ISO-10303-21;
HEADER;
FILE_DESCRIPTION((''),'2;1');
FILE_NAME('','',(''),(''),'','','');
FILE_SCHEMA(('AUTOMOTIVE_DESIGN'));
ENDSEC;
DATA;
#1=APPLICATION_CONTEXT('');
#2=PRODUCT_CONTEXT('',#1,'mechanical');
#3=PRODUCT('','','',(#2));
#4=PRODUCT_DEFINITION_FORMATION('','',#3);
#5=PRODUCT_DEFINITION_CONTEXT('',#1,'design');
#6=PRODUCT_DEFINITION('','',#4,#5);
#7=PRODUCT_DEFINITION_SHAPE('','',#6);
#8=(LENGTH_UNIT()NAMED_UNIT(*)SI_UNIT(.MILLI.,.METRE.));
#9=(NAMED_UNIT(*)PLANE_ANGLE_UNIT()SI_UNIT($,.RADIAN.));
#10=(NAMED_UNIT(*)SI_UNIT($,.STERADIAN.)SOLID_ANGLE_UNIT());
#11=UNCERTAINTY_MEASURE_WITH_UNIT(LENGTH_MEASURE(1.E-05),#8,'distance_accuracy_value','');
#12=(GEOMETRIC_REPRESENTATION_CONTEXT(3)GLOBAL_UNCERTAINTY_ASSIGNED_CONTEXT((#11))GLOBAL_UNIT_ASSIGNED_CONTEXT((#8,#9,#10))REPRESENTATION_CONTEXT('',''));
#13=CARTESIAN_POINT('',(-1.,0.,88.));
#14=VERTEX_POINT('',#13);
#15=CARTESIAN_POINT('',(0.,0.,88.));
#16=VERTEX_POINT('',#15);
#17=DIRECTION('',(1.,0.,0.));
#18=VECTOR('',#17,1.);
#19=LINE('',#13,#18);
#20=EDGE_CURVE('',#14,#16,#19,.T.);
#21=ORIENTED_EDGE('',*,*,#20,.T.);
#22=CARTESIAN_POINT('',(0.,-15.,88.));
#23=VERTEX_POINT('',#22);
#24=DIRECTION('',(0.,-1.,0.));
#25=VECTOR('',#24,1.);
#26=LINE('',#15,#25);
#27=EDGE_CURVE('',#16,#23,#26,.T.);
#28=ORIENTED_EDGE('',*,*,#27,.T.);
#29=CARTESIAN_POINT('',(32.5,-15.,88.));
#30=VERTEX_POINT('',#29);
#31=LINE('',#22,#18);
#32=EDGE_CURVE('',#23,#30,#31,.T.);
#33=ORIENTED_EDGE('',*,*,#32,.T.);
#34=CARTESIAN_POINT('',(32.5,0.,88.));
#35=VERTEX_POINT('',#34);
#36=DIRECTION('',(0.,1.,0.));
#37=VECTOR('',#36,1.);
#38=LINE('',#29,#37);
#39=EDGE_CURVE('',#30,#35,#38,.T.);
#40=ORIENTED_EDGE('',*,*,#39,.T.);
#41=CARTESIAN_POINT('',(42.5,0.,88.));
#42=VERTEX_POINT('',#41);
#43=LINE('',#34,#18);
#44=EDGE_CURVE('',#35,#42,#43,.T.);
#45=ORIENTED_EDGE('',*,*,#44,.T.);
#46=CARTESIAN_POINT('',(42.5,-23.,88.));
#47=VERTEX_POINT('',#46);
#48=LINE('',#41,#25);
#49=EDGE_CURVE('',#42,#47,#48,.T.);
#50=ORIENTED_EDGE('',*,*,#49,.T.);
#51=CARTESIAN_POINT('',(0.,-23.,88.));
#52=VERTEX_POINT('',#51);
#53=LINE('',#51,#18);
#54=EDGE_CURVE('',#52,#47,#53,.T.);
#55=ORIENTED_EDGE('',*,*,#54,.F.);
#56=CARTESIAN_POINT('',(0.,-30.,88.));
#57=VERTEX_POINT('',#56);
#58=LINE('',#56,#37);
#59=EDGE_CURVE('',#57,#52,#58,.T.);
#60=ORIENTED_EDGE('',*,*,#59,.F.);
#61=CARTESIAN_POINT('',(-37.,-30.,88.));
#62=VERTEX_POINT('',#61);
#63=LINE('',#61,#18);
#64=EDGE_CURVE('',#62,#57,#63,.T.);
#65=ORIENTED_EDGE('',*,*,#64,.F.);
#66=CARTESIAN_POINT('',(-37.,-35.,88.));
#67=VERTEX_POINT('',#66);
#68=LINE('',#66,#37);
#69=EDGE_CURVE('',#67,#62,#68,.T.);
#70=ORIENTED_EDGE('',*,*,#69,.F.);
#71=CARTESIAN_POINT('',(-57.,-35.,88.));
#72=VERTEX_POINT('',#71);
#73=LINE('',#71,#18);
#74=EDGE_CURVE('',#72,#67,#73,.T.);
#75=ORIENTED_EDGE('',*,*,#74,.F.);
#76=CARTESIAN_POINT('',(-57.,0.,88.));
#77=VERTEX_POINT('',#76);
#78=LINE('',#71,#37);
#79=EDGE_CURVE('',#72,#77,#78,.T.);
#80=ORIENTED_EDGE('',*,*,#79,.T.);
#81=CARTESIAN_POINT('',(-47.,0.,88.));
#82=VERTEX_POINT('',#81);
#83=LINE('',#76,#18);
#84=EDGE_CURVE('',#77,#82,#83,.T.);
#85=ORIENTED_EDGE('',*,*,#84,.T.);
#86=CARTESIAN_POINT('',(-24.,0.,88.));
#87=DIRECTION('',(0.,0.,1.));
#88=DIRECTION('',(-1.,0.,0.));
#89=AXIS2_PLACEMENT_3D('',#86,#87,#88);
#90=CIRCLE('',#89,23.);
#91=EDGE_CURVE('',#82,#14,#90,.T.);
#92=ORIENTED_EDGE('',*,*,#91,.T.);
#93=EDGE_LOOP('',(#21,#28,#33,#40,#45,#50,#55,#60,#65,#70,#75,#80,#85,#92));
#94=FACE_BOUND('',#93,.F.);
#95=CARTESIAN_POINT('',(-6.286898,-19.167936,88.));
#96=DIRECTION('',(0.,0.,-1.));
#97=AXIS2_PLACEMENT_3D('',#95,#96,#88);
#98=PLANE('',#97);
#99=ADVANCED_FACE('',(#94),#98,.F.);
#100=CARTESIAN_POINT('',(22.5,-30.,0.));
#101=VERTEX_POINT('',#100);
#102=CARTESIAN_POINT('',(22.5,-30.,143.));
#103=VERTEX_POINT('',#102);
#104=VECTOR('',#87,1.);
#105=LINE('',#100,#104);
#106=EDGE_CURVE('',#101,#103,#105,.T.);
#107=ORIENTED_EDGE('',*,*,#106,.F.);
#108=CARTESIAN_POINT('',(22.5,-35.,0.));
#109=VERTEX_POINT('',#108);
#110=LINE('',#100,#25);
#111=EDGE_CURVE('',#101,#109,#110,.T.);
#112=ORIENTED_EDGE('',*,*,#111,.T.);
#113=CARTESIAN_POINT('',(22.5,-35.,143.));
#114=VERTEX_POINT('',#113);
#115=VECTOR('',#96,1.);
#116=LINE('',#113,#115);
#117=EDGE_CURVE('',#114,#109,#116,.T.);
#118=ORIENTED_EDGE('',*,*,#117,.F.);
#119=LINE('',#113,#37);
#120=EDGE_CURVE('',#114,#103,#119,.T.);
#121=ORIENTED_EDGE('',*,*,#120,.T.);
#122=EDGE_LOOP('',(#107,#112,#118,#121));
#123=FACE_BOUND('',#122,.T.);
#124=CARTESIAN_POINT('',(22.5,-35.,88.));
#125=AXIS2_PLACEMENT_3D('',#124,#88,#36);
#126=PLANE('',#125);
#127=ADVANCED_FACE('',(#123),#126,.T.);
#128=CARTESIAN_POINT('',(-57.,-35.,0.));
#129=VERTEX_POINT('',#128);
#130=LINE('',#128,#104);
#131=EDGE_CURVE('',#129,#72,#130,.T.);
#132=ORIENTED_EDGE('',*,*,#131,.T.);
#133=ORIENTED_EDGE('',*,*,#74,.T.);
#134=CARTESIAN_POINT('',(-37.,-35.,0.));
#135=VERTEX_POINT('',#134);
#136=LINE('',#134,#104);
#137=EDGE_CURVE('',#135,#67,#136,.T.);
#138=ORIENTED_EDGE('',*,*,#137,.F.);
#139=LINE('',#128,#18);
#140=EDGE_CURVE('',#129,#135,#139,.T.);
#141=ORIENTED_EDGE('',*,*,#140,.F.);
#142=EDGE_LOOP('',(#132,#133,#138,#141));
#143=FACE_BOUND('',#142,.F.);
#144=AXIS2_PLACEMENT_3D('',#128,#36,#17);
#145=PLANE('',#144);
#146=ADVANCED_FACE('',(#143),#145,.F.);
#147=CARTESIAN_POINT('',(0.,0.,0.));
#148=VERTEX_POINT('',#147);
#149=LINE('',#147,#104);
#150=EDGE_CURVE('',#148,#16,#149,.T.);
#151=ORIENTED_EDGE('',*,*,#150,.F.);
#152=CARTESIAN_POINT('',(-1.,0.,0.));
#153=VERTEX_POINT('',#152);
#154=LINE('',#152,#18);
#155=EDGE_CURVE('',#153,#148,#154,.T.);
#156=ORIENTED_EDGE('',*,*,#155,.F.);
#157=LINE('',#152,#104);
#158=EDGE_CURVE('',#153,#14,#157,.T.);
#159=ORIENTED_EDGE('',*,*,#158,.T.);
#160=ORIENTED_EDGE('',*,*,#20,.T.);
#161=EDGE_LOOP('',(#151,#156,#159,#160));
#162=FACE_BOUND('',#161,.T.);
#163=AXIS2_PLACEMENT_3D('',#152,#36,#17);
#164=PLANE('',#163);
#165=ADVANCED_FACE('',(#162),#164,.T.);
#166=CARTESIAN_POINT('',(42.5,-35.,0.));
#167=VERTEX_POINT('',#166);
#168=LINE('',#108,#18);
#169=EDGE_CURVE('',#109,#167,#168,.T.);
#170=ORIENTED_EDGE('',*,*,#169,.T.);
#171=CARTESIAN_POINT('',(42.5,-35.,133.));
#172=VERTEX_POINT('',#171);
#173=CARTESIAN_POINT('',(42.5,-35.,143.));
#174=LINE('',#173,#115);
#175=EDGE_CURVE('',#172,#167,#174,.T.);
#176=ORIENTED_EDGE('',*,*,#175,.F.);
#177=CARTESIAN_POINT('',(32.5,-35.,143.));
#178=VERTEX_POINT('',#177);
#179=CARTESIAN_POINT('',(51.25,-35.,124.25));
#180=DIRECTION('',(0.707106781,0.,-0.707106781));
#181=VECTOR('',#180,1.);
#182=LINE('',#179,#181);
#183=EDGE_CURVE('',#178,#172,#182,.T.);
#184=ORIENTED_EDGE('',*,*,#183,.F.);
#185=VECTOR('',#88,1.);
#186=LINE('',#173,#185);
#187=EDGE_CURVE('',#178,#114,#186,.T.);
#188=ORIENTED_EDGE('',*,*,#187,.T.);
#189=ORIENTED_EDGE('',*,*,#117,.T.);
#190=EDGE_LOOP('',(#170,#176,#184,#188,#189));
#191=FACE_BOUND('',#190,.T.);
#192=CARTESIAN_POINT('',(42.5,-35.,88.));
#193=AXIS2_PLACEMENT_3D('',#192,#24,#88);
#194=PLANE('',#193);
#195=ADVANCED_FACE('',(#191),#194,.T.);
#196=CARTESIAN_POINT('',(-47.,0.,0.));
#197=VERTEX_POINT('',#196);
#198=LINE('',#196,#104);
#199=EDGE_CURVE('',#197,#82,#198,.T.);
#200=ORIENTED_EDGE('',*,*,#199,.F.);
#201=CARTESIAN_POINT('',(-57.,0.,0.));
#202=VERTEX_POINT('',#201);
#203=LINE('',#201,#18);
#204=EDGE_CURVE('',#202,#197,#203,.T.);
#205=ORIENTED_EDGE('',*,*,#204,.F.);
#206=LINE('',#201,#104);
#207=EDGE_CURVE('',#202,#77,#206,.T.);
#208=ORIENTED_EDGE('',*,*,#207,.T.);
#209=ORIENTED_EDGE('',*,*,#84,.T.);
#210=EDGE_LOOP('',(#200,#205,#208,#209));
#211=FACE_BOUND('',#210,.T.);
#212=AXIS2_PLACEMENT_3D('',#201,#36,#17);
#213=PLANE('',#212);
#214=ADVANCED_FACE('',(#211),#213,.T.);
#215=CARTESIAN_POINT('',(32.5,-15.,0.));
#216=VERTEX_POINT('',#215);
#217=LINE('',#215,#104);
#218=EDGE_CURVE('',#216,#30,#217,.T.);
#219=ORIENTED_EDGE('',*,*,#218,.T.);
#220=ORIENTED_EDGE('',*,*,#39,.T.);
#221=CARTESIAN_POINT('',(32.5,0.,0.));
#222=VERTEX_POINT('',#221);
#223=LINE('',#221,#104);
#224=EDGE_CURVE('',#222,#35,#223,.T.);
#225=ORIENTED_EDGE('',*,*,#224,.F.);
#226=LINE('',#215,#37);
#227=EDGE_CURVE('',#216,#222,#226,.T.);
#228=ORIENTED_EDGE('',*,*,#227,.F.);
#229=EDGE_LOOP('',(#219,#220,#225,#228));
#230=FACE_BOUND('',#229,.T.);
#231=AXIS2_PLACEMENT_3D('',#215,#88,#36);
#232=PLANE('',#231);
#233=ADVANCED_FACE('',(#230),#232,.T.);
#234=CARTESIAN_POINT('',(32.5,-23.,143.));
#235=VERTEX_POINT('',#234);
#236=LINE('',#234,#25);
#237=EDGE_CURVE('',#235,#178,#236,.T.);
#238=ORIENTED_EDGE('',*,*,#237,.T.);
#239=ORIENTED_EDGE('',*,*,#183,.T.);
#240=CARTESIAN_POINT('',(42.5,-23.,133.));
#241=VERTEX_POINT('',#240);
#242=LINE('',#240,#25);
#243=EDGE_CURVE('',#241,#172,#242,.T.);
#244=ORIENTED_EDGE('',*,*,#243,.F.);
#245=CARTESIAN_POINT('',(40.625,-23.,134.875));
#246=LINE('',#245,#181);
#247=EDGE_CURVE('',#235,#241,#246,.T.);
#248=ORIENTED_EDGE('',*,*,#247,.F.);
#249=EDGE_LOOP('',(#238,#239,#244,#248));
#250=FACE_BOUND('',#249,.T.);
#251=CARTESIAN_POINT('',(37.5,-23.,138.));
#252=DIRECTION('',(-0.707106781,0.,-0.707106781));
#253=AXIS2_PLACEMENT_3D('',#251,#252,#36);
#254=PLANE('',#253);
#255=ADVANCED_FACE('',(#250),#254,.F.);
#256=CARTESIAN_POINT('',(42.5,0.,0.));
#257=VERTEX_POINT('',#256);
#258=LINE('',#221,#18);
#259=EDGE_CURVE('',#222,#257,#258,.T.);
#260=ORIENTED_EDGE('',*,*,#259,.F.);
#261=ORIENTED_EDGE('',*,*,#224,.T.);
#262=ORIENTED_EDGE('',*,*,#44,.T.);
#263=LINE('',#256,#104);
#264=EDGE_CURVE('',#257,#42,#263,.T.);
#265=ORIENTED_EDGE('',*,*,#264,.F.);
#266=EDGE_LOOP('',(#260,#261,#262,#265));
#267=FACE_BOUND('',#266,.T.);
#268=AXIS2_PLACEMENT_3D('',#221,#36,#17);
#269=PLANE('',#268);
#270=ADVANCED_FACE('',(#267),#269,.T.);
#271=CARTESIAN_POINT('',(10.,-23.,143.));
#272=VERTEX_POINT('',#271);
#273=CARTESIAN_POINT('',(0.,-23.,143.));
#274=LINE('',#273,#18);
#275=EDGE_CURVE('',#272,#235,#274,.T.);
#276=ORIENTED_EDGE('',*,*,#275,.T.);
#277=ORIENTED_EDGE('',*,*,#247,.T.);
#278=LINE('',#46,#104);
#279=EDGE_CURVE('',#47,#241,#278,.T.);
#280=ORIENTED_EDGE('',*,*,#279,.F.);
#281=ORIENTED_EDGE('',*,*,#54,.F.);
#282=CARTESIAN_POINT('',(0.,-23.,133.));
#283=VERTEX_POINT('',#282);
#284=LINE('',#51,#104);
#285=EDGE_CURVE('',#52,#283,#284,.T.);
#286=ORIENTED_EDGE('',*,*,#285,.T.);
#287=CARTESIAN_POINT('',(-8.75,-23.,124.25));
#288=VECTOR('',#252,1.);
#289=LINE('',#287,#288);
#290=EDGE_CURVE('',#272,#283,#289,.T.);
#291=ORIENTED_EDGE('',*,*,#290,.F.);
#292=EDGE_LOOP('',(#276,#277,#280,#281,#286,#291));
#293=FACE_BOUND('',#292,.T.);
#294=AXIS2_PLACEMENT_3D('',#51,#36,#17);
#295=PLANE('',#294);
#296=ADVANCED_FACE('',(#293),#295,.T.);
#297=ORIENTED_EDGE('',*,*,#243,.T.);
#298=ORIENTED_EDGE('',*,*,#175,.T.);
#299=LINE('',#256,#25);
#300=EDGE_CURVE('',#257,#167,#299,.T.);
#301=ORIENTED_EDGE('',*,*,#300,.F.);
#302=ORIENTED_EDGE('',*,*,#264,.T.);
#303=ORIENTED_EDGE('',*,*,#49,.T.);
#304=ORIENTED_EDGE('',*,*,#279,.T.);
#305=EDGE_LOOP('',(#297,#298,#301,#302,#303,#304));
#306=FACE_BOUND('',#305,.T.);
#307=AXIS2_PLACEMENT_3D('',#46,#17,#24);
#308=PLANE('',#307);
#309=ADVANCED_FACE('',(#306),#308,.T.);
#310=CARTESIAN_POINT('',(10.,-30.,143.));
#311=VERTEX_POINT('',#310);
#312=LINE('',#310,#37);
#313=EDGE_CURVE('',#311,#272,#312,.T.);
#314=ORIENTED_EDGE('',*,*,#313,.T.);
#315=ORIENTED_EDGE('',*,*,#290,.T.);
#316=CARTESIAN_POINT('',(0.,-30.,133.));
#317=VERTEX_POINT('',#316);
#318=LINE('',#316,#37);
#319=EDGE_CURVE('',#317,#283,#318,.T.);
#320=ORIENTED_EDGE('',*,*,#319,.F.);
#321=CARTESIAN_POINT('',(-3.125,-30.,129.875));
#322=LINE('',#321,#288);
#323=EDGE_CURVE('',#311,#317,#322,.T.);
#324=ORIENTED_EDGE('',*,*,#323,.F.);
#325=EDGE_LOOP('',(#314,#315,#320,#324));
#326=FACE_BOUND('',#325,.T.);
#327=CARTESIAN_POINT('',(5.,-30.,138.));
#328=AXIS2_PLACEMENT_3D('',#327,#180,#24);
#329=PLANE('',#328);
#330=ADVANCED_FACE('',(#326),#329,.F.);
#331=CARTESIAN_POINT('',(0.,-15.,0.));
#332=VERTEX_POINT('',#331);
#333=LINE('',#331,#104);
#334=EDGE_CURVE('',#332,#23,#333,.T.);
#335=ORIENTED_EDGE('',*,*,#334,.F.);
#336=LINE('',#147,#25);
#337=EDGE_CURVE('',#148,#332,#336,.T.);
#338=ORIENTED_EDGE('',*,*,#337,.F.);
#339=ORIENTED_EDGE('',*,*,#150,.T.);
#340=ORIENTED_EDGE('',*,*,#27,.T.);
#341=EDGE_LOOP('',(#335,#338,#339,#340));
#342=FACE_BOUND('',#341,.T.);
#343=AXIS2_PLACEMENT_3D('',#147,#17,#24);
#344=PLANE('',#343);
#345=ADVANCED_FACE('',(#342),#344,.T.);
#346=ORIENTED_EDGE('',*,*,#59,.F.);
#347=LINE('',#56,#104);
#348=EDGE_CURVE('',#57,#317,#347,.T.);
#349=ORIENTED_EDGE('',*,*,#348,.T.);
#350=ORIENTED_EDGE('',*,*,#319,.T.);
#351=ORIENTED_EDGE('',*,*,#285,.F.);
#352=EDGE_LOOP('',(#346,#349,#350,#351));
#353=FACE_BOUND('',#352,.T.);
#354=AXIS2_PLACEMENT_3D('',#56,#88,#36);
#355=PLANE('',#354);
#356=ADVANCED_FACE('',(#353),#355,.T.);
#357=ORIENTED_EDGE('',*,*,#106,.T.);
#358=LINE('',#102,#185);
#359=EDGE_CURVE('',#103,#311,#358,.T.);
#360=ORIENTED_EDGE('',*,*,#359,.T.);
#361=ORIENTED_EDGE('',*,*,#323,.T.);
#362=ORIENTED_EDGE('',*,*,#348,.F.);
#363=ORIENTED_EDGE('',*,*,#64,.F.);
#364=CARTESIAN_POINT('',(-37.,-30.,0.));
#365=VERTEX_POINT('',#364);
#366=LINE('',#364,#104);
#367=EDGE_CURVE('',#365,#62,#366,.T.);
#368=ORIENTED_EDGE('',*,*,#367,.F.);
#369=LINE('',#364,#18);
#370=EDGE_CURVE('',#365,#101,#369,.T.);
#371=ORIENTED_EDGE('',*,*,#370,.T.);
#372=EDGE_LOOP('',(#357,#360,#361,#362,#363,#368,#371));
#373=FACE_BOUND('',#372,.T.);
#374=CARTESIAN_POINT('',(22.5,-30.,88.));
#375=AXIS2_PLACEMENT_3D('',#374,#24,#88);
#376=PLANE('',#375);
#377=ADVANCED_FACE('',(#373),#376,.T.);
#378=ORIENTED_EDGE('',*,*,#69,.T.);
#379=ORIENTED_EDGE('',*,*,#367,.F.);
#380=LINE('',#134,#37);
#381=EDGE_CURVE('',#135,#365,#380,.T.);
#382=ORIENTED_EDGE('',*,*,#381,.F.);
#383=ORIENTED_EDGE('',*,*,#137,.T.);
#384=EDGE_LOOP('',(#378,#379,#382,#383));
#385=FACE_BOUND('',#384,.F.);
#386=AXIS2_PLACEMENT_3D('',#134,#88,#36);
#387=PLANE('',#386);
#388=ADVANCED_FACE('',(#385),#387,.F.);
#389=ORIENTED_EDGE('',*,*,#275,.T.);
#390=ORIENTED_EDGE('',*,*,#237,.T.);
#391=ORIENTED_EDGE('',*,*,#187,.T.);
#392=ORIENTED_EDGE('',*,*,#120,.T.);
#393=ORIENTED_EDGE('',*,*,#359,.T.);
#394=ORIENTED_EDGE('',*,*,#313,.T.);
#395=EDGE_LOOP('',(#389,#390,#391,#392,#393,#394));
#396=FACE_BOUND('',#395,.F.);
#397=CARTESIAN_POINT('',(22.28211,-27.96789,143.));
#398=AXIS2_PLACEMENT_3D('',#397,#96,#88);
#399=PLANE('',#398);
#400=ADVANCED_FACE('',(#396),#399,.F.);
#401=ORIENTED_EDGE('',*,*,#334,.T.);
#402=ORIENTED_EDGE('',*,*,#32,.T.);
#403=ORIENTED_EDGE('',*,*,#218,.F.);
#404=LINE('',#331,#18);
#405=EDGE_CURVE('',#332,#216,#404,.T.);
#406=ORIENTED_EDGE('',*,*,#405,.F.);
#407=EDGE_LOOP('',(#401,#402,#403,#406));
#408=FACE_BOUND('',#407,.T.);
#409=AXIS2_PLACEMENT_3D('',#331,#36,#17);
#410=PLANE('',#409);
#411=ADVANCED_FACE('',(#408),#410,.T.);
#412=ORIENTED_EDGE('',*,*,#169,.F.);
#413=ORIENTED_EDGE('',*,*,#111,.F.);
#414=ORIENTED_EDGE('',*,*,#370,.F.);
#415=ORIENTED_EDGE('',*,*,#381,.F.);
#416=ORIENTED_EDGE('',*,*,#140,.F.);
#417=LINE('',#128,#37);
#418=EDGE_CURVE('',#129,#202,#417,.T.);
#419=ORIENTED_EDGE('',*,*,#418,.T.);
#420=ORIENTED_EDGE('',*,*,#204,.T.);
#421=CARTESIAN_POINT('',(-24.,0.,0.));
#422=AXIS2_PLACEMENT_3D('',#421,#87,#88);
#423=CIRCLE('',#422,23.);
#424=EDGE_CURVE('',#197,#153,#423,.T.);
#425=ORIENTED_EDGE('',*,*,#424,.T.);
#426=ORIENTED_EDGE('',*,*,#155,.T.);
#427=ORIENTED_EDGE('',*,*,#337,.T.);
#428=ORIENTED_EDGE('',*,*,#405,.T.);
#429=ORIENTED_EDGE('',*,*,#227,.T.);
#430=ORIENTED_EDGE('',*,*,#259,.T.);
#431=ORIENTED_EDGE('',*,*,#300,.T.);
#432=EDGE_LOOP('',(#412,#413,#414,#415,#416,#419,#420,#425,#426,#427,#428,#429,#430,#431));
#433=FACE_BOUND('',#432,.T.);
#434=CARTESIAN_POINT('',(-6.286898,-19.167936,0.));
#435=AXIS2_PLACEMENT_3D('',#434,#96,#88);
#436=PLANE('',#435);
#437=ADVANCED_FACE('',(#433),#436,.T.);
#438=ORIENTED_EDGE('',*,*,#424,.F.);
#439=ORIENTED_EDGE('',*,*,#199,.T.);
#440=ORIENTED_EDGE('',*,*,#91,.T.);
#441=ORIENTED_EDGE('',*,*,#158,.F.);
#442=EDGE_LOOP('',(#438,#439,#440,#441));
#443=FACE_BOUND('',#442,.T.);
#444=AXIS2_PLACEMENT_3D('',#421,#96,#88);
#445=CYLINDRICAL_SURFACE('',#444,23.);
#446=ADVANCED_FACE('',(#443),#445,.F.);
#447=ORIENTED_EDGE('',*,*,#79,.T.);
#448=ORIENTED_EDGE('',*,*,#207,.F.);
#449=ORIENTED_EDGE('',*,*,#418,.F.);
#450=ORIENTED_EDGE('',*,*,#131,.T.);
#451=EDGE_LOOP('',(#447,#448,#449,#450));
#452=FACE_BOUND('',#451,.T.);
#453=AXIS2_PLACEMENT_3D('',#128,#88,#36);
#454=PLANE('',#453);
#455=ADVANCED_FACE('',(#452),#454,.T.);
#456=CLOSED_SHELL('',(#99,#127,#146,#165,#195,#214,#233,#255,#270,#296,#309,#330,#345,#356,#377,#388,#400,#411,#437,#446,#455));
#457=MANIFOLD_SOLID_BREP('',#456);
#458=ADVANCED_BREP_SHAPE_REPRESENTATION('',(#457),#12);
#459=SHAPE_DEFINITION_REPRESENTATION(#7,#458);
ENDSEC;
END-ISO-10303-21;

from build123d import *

# Parameters (mm, degrees)
PAD_DEPTH    = 88
PAD001_DEPTH = 55
CHAMFER_SIZE = 10


with BuildPart() as part:
    # Sketch → Pad (new body)
    with BuildSketch(Plane.XY):
        with BuildLine():
            ThreePointArc((-47, 0), (-24, -23), (-1, 0))
            Line((-1, 0), (0, 0))
            Line((0, 0), (0, -15))
            Line((0, -15), (32.5, -15))
            Line((32.5, -15), (32.5, 0))
            Line((32.5, 0), (42.5, 0))
            Line((42.5, 0), (42.5, -35))
            Line((22.5, -35), (42.5, -35))
            Line((22.5, -30), (22.5, -35))
            Line((-37, -30), (22.5, -30))
            Line((-37, -35), (-37, -30))
            Line((-57, -35), (-37, -35))
            Line((-57, -35), (-57, 0))
            Line((-57, 0), (-47, 0))
        make_face()
    extrude(amount=PAD_DEPTH)

    # Sketch001 (on Face16 of Pad) → Pad001 (join)
    with BuildSketch(Plane.XY.offset(88)):
        Polygon((0, -23), (42.5, -23), (42.5, -35), (22.5, -35), (22.5, -30), (0, -30), align=None)
    extrude(amount=PAD001_DEPTH)

    # Chamfer
    chamfer_edges = [part.edges().sort_by_distance(p)[0] for p in [
        (0, -26.5, 143),
        (42.5, -29, 143),
    ]]
    chamfer(chamfer_edges, length=CHAMFER_SIZE)


solid = part.part
